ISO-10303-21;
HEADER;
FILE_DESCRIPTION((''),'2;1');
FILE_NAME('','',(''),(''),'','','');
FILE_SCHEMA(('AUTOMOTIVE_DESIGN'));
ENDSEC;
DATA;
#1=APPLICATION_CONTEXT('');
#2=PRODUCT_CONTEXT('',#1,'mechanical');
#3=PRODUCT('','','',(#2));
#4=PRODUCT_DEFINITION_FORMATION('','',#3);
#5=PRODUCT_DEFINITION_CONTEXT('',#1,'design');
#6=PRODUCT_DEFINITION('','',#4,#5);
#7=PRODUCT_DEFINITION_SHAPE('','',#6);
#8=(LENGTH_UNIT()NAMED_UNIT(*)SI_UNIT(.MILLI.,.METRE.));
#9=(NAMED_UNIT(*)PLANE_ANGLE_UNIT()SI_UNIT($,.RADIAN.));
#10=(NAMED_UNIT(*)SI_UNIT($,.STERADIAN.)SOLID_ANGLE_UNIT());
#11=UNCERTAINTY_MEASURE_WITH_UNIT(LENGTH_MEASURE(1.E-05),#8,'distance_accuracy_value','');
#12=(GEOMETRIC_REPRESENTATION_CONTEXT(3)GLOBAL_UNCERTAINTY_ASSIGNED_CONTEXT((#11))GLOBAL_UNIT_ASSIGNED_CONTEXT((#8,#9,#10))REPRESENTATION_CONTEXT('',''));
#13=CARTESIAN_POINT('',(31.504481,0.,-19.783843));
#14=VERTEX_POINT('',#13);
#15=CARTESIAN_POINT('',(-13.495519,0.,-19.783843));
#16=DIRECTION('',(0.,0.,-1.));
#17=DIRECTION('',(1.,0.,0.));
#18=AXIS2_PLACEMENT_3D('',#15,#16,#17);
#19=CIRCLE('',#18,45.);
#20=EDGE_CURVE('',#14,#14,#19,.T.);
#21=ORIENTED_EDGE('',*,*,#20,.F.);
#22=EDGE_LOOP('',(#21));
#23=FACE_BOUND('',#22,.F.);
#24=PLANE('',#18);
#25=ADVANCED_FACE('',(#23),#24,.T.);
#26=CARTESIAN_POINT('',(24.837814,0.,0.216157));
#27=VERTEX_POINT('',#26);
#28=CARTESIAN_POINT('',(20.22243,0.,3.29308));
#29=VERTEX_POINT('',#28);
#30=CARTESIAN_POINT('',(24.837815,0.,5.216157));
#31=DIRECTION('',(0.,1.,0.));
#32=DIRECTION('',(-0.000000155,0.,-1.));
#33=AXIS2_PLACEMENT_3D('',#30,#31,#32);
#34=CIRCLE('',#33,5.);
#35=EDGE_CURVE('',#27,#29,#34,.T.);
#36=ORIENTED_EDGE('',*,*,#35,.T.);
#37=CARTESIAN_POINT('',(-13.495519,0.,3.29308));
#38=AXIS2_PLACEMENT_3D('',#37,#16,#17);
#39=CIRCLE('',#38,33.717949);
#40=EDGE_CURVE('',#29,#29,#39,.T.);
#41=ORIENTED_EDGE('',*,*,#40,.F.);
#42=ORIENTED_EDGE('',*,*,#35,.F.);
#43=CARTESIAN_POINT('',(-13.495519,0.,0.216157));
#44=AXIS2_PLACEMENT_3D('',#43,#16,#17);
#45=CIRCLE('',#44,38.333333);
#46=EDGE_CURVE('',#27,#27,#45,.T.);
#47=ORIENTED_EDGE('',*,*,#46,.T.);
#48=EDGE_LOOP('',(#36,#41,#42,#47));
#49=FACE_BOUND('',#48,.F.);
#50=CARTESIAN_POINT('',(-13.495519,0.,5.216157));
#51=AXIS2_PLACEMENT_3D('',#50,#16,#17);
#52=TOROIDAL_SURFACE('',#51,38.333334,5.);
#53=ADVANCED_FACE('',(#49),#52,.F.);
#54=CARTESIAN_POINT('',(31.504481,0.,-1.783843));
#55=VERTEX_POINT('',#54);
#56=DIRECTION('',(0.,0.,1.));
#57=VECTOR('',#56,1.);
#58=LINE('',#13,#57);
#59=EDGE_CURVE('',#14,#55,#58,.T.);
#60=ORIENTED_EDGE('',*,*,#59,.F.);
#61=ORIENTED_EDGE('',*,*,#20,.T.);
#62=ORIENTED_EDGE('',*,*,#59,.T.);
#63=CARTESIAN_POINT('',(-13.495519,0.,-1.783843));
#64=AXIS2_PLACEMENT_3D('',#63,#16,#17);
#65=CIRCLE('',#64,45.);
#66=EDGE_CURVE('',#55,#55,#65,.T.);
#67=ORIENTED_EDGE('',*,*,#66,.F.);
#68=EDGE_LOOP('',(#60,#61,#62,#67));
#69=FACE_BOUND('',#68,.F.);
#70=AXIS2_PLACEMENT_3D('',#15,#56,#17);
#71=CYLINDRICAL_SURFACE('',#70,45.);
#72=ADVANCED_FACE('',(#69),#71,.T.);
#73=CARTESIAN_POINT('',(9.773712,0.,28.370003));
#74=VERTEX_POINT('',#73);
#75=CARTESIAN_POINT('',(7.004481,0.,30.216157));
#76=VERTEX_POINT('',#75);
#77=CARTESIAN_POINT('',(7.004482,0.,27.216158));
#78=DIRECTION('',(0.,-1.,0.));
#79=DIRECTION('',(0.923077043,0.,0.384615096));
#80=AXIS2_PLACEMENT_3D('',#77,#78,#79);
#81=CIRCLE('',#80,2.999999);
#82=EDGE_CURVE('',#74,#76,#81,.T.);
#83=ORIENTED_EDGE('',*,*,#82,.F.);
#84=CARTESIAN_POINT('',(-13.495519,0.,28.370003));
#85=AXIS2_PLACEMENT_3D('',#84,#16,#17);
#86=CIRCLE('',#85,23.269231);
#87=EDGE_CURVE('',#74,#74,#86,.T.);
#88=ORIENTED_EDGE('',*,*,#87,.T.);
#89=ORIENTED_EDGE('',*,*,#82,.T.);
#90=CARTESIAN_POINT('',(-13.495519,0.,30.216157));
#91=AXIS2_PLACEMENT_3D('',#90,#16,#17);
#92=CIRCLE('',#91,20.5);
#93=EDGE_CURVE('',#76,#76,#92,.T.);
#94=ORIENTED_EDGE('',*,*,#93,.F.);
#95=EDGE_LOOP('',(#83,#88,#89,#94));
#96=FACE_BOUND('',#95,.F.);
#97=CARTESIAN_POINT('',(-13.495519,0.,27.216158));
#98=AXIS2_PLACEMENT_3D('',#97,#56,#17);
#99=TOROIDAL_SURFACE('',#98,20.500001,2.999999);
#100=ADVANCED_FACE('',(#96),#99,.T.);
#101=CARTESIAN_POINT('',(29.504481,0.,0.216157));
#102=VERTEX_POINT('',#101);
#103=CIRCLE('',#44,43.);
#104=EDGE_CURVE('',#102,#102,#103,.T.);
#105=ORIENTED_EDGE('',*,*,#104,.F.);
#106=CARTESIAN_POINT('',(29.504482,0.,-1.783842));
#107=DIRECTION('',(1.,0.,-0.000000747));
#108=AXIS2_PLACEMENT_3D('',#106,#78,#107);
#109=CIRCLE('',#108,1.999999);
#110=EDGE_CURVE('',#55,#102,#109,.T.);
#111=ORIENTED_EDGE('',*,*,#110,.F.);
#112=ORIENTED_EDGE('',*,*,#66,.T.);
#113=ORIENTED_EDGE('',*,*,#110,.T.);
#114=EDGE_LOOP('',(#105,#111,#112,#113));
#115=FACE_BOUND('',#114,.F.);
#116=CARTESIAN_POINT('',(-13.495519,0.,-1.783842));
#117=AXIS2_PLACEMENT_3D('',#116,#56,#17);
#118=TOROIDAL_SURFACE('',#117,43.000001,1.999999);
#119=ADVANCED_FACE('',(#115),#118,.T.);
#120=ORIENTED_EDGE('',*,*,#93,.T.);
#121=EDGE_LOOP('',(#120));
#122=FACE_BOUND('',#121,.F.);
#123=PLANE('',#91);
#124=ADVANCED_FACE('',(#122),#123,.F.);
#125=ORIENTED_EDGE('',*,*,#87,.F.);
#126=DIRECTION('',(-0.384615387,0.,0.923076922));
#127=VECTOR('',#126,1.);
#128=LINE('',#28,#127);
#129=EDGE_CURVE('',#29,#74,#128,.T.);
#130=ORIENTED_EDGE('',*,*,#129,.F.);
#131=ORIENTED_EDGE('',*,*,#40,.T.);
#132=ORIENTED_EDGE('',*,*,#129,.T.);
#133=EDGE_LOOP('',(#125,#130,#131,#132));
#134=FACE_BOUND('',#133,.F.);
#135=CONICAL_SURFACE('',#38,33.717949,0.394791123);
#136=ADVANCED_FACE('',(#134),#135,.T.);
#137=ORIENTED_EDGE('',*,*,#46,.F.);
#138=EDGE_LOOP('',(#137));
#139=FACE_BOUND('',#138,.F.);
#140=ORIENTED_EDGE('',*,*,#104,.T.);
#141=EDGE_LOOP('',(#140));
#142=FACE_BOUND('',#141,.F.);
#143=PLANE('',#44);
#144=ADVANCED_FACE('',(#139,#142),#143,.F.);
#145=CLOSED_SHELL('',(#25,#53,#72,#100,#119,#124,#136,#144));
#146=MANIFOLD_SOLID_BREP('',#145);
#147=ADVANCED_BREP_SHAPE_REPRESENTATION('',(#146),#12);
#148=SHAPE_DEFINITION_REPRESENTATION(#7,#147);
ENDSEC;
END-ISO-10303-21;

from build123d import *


with BuildPart() as f1:
    # F0 (on Front) → F1 (revolve)
    with BuildSketch(Plane.XZ):
        with BuildLine():
            Line((-13.495519, -19.783843), (31.504481, -19.783843))
            Line((31.504481, -19.783843), (31.504481, -1.783843))
            ThreePointArc((31.504481, -1.783843), (30.918695, -0.369629), (29.504481, 0.216157))
            Line((29.504481, 0.216157), (24.837814, 0.216157))
            ThreePointArc((24.837814, 0.216157), (22.064313, 1.055906), (20.22243, 3.29308))
            Line((20.22243, 3.29308), (9.773712, 28.370003))
            ThreePointArc((9.773712, 28.370003), (8.668582, 29.712308), (7.004481, 30.216157))
            Line((7.004481, 30.216157), (-13.495519, 30.216157))
            Line((-13.495519, 30.216157), (-13.495519, -19.783843))
        make_face()
    revolve(axis=Axis((-13.495519, 0, 5.240102), (0, 0, -1)))


solid = f1.part
